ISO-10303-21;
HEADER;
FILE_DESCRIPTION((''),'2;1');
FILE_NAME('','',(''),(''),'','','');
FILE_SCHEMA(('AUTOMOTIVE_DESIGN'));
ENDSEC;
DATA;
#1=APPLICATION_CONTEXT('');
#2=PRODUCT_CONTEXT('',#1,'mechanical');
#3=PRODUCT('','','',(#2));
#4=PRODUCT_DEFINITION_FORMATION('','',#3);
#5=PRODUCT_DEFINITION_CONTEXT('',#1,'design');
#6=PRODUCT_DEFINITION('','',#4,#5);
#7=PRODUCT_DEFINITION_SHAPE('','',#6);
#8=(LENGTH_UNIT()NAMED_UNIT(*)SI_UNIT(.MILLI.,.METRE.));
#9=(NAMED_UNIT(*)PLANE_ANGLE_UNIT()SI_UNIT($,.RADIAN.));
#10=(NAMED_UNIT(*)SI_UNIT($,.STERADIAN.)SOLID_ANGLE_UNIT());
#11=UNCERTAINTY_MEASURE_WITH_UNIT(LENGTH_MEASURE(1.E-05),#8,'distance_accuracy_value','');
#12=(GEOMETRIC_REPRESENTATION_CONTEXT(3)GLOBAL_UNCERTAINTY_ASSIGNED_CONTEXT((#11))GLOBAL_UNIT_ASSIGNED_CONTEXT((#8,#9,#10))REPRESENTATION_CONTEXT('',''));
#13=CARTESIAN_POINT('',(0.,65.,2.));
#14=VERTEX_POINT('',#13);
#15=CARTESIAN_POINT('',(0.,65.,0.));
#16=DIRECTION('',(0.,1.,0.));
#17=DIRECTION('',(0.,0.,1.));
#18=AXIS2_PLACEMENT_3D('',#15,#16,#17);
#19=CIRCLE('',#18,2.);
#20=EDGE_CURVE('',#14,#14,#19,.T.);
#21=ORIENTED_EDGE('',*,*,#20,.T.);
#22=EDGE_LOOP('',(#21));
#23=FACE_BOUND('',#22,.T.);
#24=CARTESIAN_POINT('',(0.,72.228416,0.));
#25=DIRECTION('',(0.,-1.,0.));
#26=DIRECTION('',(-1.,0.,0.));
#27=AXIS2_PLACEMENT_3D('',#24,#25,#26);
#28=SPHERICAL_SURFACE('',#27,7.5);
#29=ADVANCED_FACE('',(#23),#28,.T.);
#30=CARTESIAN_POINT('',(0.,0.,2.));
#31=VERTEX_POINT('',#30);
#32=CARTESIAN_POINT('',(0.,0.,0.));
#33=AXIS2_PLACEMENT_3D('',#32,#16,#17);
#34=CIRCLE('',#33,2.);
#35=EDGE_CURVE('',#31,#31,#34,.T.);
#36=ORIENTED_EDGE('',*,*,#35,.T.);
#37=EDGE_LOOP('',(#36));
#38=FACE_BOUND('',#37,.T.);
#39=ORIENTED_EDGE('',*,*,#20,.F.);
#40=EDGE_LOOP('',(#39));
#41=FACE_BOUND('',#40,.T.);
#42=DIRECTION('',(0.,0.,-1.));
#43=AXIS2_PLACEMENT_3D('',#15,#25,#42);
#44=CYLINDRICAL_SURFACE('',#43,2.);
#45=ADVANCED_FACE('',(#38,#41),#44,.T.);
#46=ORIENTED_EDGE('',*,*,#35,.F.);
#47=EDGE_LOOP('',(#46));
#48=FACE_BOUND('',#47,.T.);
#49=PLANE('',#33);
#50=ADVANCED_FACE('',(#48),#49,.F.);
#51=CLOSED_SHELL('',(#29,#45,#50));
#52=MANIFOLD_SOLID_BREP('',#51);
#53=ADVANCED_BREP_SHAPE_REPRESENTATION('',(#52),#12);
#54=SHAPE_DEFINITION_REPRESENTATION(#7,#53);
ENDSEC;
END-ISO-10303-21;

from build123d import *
from build123d.topology import SkipClean

# Parameters (mm, degrees)
SKETCH1_R           = 2
BOSS_EXTRUDE1_DEPTH = 65


with BuildPart() as part:
    # Sketch1 → Boss-Extrude1 (new body)
    with BuildSketch(Plane(origin=(0, 0, 0), x_dir=(1, 0, 0), z_dir=(0, 1, 0))):
        with Locations(Location((0, 0, 0), (0, 0, 270))):
            Circle(SKETCH1_R)
    extrude(amount=BOSS_EXTRUDE1_DEPTH)

    # Sketch2 → Revolve2 (revolve)
    with SkipClean():  # the faces are left unmerged after this step: merging them gives an invalid solid
        with BuildSketch(Plane.XY, mode=Mode.PRIVATE) as revolve2_sk:
            with BuildLine():
                ThreePointArc((7.5, 72.228416147), (5.303300859, 77.531717006), (0, 79.728416147))
                Line((0, 79.728416147), (0, 64.728416147))
                ThreePointArc((0, 64.728416147), (5.303300859, 66.925115289), (7.5, 72.228416147))
            make_face()
            with BuildLine():
                Line((0, 64.728416147), (0, 79.728416147))
                ThreePointArc((0, 79.728416147), (-7.5, 72.228416147), (0, 64.728416147))
            make_face()
        revolve(revolve2_sk.sketch.rotate(Axis((0, 65, 0), (0, 1, 0)), 180), axis=Axis((0, 65, 0), (0, 1, 0)))


solid = part.part
